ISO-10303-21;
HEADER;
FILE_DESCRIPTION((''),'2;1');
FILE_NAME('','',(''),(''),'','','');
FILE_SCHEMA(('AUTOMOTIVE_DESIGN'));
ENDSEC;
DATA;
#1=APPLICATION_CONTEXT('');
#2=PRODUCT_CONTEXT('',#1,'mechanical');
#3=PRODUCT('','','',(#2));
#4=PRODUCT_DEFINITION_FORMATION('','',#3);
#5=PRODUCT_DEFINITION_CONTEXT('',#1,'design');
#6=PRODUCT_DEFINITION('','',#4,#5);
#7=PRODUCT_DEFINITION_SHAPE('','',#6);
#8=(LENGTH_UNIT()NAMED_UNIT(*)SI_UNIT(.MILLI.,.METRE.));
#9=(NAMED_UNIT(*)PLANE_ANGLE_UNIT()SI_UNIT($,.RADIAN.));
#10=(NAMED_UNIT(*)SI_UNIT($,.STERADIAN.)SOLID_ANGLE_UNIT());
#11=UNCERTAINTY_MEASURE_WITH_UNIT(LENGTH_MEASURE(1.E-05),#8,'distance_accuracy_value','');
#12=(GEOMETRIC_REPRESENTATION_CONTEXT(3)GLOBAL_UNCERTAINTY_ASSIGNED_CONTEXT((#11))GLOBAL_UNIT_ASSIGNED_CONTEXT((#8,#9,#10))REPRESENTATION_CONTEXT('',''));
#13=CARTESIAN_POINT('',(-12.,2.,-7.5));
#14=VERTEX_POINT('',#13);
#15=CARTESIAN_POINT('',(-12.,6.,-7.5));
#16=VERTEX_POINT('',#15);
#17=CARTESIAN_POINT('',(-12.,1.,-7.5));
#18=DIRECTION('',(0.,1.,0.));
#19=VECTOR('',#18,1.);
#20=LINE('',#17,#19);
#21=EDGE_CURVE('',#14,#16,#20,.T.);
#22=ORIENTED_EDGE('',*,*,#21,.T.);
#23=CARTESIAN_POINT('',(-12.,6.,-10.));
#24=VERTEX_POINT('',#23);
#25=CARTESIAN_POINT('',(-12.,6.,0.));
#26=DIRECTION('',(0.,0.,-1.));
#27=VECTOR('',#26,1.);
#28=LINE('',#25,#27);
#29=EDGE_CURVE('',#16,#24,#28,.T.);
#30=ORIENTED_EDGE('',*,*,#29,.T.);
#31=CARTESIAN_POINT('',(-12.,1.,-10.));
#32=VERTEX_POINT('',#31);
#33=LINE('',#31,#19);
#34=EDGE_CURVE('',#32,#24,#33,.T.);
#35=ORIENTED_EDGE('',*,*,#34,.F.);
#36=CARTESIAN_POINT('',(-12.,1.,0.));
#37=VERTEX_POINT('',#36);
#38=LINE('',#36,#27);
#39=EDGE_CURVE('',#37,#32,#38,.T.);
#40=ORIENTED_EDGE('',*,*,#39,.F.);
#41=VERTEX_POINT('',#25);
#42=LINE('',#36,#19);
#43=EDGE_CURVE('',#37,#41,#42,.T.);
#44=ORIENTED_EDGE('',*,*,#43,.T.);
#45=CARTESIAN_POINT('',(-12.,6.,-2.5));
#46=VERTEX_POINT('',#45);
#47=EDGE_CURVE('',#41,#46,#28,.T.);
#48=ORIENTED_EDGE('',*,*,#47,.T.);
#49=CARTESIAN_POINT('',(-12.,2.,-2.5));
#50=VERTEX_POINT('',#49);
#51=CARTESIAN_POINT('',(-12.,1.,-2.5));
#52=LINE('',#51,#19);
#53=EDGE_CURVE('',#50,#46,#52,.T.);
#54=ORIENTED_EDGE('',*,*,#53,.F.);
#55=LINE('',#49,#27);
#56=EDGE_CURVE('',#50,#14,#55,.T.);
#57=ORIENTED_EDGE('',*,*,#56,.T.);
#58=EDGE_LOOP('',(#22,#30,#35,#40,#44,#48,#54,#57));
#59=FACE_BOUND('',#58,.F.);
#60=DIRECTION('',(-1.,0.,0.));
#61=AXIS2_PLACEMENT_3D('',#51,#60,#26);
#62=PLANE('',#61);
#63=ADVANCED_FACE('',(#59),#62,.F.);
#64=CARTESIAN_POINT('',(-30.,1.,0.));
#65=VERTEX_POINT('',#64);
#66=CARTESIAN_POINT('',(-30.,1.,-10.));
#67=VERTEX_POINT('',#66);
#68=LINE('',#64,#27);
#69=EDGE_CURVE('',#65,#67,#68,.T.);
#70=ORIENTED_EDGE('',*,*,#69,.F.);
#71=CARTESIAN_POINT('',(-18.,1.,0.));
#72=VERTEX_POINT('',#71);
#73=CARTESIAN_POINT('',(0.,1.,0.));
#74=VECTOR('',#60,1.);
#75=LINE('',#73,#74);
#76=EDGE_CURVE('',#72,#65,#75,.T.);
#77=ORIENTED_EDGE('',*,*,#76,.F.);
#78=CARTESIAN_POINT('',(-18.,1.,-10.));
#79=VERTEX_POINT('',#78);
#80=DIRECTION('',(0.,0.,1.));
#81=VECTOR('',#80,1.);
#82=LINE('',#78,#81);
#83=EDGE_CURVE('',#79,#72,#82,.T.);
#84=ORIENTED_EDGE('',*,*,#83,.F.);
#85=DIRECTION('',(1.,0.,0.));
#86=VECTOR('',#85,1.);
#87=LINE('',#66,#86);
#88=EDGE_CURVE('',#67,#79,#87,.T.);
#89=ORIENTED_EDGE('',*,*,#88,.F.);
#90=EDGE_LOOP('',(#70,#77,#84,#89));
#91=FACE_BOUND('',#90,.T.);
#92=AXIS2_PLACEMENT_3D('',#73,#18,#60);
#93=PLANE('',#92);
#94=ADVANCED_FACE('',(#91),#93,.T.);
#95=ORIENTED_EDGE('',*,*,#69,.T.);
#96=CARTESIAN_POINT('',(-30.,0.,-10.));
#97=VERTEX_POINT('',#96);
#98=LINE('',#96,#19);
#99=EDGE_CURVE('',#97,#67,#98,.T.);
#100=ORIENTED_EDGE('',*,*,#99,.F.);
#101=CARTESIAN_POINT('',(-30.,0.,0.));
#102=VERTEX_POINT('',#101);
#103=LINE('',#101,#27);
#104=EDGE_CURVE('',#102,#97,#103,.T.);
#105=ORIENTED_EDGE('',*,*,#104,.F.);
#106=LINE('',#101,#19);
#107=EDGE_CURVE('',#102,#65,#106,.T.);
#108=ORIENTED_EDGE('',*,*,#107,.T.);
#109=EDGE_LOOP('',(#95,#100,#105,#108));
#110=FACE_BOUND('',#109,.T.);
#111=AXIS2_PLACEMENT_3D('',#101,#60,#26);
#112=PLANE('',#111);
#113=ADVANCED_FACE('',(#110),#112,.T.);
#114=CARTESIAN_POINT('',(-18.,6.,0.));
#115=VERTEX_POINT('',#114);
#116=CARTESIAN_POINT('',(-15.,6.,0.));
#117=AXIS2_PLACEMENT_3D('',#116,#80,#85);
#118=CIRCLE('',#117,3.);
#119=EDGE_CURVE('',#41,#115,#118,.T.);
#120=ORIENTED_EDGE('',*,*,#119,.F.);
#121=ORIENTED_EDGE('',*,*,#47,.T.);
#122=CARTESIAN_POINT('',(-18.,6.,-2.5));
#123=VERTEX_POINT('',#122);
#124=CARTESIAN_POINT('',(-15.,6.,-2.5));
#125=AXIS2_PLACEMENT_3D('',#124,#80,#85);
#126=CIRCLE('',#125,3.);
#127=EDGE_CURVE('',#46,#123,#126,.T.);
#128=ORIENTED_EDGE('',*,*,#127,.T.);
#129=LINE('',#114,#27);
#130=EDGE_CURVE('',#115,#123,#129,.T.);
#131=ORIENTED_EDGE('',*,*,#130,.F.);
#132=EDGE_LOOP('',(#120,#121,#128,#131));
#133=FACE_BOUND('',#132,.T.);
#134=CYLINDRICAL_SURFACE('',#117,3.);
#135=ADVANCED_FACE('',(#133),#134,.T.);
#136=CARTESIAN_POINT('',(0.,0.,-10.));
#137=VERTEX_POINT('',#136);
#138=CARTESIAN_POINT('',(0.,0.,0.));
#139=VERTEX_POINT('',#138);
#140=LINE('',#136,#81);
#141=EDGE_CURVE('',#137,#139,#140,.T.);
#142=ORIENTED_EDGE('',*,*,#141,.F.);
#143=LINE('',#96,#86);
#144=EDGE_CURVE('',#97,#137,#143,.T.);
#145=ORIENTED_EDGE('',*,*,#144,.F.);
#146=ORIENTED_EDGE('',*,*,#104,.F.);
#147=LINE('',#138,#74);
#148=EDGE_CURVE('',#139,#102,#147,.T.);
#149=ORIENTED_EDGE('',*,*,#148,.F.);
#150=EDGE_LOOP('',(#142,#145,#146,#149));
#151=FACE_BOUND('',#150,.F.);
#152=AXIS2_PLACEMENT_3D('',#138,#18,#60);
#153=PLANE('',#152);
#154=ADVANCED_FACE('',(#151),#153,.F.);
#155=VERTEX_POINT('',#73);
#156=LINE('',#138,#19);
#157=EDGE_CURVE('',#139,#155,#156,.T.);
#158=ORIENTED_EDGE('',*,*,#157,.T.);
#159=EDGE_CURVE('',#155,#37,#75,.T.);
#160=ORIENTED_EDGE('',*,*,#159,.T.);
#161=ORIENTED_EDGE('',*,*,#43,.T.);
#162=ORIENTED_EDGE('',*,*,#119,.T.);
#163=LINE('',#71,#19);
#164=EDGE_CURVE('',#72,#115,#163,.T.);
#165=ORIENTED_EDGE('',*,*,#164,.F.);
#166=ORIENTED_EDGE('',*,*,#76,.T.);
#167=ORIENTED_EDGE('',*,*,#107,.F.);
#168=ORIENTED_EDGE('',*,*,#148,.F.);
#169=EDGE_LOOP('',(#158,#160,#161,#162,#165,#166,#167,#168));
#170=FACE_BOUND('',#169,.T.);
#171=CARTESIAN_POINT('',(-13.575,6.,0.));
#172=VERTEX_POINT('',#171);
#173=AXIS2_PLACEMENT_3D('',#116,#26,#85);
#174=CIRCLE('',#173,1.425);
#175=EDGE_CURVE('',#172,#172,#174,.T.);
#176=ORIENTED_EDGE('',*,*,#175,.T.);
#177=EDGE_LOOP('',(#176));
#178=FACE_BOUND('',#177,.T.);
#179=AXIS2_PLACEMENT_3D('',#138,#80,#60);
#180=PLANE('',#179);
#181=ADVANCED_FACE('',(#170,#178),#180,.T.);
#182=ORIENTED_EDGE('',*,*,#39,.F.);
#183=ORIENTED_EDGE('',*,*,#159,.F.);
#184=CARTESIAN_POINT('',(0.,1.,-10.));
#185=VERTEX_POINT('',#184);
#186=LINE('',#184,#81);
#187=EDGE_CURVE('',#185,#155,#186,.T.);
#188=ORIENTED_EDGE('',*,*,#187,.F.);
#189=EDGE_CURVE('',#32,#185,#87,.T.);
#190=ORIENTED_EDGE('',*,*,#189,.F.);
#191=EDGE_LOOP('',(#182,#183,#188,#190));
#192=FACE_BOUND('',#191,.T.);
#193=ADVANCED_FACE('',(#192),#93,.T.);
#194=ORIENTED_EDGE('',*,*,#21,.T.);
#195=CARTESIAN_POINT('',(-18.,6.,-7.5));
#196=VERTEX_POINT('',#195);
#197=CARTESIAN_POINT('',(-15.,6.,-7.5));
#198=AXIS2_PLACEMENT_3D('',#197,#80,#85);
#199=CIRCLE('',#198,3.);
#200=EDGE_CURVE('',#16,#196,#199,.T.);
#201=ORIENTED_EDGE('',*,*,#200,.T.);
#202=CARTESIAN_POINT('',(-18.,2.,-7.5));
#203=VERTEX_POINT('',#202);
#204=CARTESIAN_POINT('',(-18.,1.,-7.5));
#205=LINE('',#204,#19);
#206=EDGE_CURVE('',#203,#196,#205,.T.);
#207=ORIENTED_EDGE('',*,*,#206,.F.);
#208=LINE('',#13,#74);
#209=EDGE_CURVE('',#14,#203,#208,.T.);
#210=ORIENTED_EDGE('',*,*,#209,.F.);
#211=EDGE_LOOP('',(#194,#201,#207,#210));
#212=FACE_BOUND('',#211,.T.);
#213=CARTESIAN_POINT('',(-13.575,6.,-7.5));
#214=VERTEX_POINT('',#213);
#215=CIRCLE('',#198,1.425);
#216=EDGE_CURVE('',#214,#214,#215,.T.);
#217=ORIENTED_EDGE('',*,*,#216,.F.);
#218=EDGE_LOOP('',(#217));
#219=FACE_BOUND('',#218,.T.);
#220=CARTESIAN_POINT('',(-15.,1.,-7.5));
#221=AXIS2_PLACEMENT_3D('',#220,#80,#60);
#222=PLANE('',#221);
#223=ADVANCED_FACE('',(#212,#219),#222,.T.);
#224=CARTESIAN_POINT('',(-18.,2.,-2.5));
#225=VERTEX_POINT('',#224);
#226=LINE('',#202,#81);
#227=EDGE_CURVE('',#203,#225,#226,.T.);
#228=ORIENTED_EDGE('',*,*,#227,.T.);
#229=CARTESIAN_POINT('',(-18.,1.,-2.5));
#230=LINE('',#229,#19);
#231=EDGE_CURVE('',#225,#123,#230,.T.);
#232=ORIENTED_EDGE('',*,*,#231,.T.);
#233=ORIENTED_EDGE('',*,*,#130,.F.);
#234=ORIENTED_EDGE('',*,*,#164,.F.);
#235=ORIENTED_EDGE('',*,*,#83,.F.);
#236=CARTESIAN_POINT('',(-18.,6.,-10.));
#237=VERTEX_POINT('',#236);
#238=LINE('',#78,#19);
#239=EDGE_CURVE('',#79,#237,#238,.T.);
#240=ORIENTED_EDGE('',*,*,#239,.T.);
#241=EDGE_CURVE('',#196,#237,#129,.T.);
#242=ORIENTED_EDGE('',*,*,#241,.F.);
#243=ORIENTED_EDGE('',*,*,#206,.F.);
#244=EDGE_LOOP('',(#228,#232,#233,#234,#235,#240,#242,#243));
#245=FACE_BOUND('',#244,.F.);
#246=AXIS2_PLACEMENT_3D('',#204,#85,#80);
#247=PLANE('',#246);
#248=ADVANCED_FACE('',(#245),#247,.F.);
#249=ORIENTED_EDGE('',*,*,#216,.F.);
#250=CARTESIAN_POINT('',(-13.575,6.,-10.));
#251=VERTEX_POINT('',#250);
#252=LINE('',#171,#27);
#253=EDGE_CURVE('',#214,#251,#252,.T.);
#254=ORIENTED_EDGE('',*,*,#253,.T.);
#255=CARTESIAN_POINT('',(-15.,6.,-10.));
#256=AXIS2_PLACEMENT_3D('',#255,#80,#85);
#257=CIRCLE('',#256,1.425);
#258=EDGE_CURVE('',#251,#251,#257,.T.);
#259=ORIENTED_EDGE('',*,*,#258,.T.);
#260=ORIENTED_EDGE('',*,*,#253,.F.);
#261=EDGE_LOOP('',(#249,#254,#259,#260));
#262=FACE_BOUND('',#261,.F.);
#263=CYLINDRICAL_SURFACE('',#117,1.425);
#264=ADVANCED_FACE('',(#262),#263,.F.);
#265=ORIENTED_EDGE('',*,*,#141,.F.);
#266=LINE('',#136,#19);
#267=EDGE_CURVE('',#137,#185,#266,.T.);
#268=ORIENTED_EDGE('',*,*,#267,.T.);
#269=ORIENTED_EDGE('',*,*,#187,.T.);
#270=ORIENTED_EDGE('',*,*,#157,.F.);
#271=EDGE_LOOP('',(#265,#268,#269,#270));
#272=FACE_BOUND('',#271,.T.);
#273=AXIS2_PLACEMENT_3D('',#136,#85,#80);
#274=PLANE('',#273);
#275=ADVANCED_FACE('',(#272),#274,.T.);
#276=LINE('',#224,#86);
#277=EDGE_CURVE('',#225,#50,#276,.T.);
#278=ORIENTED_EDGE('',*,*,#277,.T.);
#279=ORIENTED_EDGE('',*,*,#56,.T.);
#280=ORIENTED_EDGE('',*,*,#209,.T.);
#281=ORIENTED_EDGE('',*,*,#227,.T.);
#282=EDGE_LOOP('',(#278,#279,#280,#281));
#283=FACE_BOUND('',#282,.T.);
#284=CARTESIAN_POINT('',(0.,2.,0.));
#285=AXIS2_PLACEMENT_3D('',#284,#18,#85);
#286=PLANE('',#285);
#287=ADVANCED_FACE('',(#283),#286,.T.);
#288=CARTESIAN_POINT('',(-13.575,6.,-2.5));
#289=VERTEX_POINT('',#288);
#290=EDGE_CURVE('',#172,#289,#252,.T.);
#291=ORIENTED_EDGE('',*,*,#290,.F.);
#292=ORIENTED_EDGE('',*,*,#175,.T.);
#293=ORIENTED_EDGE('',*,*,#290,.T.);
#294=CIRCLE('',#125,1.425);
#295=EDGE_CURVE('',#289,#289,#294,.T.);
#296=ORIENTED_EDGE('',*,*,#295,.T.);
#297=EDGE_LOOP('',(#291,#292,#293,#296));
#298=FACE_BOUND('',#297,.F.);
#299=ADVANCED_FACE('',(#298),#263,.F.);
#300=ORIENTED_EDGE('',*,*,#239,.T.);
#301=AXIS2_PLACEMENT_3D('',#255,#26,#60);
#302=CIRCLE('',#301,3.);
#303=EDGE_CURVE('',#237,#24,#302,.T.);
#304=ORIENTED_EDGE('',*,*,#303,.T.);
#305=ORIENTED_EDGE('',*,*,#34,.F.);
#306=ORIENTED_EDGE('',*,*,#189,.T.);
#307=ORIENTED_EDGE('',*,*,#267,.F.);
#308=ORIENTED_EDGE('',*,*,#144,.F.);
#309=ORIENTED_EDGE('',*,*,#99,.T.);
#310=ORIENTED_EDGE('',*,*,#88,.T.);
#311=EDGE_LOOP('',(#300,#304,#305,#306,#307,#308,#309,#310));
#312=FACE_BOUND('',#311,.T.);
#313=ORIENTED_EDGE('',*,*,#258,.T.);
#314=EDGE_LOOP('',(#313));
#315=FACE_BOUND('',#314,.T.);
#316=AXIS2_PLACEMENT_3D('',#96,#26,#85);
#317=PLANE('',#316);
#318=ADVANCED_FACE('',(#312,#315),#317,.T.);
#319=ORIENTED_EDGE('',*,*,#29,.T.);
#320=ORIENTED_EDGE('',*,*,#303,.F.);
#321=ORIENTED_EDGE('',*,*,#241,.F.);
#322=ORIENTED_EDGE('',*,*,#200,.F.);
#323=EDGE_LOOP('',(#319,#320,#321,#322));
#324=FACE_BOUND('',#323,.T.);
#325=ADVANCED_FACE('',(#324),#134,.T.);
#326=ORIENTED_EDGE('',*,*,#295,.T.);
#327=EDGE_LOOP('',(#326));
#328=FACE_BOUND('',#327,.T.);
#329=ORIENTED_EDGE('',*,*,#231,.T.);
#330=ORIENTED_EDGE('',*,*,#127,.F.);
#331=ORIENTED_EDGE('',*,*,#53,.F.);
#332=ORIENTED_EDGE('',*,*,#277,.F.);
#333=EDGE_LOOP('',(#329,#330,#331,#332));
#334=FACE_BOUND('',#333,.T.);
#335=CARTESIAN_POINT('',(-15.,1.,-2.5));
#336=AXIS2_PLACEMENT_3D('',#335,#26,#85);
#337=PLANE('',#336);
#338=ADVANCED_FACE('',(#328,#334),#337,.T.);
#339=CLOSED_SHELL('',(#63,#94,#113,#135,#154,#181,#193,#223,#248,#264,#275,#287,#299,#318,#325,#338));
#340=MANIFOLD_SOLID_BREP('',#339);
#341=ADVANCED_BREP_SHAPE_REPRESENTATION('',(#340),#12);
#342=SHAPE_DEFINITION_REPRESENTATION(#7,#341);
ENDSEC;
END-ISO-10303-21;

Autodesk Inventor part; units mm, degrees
ref_plane "YZ Plane" through (0, 0, 0) normal (1, 0, 0) x (0, 1, 0)
ref_plane "XZ Plane" through (0, 0, 0) normal (0, 1, 0) x (-1, 0, 0)
ref_plane "XY Plane" through (0, 0, 0) normal (0, 0, 1) x (1, 0, 0)
sketch "Sketch1" plane through (0, 0, 0) normal (0, 1, 0) x (-1, 0, 0)
  line L0 (0, 0) -> (30, 0)
  line L1 (30, 0) -> (30, -10)
  line L2 (30, -10) -> (0, -10)
  line L3 (0, -10) -> (0, 0)
  dimension "d0" = 10
  dimension "d1" = 30
extrude "Extrusion1" add sketch "Sketch1" along normal blind 1
sketch "Sketch2" plane through (0, 1, 0) normal (0, 1, 0) x (1, 0, 0)
  line L0 (-30, 10) -> (-30, 0) projected
  line L1 (-30, 5) -> (-15, 5)
  line L2 (-15, 5) -> (-15, 2.5)
  line L3 (-15, 2.5) -> (-18, 2.5)
  line L4 (-18, 2.5) -> (-12, 2.5)
  line L5 (-12, 2.5) -> (-12, 0)
  line L6 (-12, 0) -> (-18, 0)
  line L7 (-18, 0) -> (-18, 2.5)
  line L8 (-15, 5) -> (-15, 7.5)
  line L9 (-15, 7.5) -> (-18, 7.5)
  line L10 (-18, 7.5) -> (-12, 7.5)
  line L11 (-12, 7.5) -> (-12, 10)
  line L12 (-12, 10) -> (-18, 10)
  line L13 (-18, 10) -> (-18, 7.5)
  point P0 (0, 0)
  dimension "d4" = 15
  dimension "d5" = 2.5
  dimension "d20" = 3
  dimension "d21" = 2.5
  dimension "d22" = 6
  dimension "d23" = 2.5
  dimension "d24" = 3
  dimension "d25" = 2.5
  dimension "d26" = 6
extrude "Extrusion2" add sketch "Sketch2" along normal blind 8
sketch "Sketch4" plane through (-30, 0, 0) normal (0, 0, 1) x (1, 0, 0)
  line L0 (12, 9) -> (18, 9) projected
  line L1 (15, 9) -> (15, 6)
  circle A0 centre (15, 6) radius 3
  circle A1 centre (15, 6) radius 1.425
  line L2 (18, 1) -> (18, 9) projected
  line L3 (12, 9) -> (18, 9)
  line L4 (18, 9) -> (18, 3)
  line L5 (18, 3) -> (12, 3)
  line L6 (12, 3) -> (12, 9)
  point P0 (30, 0)
  point P1 (12, 6)
  point P2 (18, 6)
  dimension "d27" = 3
  dimension "d28" = 2.85
extrude "Extrusion4" cut sketch "Sketch4" against normal through all contours L0 A0 L6 | A1 | L0 L2 A0
sketch "Sketch5" plane through (0, 1, 0) normal (0, 1, 0) x (1, 0, 0)
  line L0 (-18, 2.5) -> (-18, 0) projected
  line L1 (-12, 7.5) -> (-18, 7.5) projected
  line L2 (-18, 2.5) -> (-12, 2.5)
  line L3 (-12, 2.5) -> (-12, 7.5)
  line L4 (-12, 7.5) -> (-18, 7.5)
  line L5 (-18, 7.5) -> (-18, 2.5)
  point P0 (0, 0)
extrude "Extrusion5" add sketch "Sketch5" along normal blind 1
properties part number "FingerTip"
